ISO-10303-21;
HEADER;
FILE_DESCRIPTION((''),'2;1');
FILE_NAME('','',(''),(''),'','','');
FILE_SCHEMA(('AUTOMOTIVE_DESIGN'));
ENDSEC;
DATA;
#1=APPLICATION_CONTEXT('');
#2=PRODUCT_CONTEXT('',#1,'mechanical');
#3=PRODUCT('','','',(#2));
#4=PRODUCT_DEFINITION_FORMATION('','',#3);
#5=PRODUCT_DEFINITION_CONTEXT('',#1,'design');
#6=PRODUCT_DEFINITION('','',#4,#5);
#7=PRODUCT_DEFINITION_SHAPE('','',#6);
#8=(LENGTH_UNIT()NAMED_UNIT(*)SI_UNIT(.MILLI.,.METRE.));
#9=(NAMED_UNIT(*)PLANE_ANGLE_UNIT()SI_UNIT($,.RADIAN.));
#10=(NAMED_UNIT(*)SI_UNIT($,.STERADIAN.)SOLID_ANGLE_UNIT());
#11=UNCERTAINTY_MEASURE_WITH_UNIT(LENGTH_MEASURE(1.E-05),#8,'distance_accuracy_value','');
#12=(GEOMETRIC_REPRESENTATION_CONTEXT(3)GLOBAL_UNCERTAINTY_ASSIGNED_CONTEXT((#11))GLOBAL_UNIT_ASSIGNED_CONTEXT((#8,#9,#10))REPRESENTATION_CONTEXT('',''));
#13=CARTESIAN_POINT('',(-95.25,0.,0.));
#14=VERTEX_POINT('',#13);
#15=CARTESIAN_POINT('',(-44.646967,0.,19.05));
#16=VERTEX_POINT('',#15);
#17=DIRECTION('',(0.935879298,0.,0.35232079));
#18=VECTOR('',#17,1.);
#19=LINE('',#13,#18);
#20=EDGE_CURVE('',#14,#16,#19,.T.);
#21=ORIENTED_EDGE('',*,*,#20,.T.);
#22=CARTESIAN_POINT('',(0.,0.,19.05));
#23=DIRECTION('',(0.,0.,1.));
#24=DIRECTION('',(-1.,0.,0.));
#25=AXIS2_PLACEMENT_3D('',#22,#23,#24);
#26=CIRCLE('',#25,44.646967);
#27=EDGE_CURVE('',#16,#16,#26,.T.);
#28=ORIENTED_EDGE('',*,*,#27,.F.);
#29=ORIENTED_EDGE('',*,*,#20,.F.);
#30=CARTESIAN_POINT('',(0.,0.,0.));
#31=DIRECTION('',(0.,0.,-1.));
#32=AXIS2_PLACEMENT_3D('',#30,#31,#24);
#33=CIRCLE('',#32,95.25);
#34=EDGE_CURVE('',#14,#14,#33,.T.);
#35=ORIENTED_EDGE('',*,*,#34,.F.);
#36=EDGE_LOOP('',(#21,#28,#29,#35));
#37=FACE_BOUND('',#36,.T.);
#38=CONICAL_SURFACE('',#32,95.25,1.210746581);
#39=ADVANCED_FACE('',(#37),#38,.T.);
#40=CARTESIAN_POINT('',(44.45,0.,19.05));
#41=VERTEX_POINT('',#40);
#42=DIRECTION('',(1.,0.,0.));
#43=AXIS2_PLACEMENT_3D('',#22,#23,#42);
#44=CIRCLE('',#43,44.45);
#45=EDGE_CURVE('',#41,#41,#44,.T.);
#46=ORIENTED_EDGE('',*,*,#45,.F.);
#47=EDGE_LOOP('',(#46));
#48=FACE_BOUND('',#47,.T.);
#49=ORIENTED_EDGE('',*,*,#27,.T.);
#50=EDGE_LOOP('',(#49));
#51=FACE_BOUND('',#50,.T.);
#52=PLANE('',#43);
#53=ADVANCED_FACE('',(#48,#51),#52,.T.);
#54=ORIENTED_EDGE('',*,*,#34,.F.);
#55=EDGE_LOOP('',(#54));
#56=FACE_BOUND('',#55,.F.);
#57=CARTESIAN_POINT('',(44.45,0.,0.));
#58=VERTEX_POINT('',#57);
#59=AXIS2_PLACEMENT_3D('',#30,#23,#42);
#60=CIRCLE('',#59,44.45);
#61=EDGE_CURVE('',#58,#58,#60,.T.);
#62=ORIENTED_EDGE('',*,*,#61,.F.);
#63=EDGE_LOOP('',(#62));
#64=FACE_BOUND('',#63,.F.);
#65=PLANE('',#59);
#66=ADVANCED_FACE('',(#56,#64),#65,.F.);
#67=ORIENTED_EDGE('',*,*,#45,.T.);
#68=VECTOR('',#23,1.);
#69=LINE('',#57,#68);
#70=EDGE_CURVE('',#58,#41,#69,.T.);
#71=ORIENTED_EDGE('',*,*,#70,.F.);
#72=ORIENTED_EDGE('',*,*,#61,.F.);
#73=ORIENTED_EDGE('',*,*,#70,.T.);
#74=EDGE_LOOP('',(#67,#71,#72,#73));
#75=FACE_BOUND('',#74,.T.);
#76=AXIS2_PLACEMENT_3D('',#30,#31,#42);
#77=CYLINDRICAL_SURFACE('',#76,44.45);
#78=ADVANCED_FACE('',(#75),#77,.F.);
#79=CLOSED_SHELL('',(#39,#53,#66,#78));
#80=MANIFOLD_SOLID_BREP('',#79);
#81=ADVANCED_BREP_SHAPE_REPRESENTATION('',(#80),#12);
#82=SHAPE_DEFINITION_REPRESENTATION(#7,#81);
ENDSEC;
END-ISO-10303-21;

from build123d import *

# Parameters (mm, degrees)
F0_R     = 95.25
F0_R_2   = 44.45
F1_DEPTH = 19.05


with BuildPart() as f1:
    # F0 (on Top) → F1 (new body)
    with BuildSketch(Plane.XY):
        Circle(F0_R)
        Circle(F0_R_2, mode=Mode.SUBTRACT)
    extrude(amount=F1_DEPTH)

    # F2 (on Front) → F3 (revolve, cut)
    with BuildSketch(Plane.XZ):
        Polygon((-95.25, 0), (-44.413712, 19.137811), (-52.87413, 28.857555), (-107.207969, 21.624837), align=None)
    revolve(axis=Axis((0, 0, 0), (0, 0, 1)), mode=Mode.SUBTRACT)


solid = f1.part
